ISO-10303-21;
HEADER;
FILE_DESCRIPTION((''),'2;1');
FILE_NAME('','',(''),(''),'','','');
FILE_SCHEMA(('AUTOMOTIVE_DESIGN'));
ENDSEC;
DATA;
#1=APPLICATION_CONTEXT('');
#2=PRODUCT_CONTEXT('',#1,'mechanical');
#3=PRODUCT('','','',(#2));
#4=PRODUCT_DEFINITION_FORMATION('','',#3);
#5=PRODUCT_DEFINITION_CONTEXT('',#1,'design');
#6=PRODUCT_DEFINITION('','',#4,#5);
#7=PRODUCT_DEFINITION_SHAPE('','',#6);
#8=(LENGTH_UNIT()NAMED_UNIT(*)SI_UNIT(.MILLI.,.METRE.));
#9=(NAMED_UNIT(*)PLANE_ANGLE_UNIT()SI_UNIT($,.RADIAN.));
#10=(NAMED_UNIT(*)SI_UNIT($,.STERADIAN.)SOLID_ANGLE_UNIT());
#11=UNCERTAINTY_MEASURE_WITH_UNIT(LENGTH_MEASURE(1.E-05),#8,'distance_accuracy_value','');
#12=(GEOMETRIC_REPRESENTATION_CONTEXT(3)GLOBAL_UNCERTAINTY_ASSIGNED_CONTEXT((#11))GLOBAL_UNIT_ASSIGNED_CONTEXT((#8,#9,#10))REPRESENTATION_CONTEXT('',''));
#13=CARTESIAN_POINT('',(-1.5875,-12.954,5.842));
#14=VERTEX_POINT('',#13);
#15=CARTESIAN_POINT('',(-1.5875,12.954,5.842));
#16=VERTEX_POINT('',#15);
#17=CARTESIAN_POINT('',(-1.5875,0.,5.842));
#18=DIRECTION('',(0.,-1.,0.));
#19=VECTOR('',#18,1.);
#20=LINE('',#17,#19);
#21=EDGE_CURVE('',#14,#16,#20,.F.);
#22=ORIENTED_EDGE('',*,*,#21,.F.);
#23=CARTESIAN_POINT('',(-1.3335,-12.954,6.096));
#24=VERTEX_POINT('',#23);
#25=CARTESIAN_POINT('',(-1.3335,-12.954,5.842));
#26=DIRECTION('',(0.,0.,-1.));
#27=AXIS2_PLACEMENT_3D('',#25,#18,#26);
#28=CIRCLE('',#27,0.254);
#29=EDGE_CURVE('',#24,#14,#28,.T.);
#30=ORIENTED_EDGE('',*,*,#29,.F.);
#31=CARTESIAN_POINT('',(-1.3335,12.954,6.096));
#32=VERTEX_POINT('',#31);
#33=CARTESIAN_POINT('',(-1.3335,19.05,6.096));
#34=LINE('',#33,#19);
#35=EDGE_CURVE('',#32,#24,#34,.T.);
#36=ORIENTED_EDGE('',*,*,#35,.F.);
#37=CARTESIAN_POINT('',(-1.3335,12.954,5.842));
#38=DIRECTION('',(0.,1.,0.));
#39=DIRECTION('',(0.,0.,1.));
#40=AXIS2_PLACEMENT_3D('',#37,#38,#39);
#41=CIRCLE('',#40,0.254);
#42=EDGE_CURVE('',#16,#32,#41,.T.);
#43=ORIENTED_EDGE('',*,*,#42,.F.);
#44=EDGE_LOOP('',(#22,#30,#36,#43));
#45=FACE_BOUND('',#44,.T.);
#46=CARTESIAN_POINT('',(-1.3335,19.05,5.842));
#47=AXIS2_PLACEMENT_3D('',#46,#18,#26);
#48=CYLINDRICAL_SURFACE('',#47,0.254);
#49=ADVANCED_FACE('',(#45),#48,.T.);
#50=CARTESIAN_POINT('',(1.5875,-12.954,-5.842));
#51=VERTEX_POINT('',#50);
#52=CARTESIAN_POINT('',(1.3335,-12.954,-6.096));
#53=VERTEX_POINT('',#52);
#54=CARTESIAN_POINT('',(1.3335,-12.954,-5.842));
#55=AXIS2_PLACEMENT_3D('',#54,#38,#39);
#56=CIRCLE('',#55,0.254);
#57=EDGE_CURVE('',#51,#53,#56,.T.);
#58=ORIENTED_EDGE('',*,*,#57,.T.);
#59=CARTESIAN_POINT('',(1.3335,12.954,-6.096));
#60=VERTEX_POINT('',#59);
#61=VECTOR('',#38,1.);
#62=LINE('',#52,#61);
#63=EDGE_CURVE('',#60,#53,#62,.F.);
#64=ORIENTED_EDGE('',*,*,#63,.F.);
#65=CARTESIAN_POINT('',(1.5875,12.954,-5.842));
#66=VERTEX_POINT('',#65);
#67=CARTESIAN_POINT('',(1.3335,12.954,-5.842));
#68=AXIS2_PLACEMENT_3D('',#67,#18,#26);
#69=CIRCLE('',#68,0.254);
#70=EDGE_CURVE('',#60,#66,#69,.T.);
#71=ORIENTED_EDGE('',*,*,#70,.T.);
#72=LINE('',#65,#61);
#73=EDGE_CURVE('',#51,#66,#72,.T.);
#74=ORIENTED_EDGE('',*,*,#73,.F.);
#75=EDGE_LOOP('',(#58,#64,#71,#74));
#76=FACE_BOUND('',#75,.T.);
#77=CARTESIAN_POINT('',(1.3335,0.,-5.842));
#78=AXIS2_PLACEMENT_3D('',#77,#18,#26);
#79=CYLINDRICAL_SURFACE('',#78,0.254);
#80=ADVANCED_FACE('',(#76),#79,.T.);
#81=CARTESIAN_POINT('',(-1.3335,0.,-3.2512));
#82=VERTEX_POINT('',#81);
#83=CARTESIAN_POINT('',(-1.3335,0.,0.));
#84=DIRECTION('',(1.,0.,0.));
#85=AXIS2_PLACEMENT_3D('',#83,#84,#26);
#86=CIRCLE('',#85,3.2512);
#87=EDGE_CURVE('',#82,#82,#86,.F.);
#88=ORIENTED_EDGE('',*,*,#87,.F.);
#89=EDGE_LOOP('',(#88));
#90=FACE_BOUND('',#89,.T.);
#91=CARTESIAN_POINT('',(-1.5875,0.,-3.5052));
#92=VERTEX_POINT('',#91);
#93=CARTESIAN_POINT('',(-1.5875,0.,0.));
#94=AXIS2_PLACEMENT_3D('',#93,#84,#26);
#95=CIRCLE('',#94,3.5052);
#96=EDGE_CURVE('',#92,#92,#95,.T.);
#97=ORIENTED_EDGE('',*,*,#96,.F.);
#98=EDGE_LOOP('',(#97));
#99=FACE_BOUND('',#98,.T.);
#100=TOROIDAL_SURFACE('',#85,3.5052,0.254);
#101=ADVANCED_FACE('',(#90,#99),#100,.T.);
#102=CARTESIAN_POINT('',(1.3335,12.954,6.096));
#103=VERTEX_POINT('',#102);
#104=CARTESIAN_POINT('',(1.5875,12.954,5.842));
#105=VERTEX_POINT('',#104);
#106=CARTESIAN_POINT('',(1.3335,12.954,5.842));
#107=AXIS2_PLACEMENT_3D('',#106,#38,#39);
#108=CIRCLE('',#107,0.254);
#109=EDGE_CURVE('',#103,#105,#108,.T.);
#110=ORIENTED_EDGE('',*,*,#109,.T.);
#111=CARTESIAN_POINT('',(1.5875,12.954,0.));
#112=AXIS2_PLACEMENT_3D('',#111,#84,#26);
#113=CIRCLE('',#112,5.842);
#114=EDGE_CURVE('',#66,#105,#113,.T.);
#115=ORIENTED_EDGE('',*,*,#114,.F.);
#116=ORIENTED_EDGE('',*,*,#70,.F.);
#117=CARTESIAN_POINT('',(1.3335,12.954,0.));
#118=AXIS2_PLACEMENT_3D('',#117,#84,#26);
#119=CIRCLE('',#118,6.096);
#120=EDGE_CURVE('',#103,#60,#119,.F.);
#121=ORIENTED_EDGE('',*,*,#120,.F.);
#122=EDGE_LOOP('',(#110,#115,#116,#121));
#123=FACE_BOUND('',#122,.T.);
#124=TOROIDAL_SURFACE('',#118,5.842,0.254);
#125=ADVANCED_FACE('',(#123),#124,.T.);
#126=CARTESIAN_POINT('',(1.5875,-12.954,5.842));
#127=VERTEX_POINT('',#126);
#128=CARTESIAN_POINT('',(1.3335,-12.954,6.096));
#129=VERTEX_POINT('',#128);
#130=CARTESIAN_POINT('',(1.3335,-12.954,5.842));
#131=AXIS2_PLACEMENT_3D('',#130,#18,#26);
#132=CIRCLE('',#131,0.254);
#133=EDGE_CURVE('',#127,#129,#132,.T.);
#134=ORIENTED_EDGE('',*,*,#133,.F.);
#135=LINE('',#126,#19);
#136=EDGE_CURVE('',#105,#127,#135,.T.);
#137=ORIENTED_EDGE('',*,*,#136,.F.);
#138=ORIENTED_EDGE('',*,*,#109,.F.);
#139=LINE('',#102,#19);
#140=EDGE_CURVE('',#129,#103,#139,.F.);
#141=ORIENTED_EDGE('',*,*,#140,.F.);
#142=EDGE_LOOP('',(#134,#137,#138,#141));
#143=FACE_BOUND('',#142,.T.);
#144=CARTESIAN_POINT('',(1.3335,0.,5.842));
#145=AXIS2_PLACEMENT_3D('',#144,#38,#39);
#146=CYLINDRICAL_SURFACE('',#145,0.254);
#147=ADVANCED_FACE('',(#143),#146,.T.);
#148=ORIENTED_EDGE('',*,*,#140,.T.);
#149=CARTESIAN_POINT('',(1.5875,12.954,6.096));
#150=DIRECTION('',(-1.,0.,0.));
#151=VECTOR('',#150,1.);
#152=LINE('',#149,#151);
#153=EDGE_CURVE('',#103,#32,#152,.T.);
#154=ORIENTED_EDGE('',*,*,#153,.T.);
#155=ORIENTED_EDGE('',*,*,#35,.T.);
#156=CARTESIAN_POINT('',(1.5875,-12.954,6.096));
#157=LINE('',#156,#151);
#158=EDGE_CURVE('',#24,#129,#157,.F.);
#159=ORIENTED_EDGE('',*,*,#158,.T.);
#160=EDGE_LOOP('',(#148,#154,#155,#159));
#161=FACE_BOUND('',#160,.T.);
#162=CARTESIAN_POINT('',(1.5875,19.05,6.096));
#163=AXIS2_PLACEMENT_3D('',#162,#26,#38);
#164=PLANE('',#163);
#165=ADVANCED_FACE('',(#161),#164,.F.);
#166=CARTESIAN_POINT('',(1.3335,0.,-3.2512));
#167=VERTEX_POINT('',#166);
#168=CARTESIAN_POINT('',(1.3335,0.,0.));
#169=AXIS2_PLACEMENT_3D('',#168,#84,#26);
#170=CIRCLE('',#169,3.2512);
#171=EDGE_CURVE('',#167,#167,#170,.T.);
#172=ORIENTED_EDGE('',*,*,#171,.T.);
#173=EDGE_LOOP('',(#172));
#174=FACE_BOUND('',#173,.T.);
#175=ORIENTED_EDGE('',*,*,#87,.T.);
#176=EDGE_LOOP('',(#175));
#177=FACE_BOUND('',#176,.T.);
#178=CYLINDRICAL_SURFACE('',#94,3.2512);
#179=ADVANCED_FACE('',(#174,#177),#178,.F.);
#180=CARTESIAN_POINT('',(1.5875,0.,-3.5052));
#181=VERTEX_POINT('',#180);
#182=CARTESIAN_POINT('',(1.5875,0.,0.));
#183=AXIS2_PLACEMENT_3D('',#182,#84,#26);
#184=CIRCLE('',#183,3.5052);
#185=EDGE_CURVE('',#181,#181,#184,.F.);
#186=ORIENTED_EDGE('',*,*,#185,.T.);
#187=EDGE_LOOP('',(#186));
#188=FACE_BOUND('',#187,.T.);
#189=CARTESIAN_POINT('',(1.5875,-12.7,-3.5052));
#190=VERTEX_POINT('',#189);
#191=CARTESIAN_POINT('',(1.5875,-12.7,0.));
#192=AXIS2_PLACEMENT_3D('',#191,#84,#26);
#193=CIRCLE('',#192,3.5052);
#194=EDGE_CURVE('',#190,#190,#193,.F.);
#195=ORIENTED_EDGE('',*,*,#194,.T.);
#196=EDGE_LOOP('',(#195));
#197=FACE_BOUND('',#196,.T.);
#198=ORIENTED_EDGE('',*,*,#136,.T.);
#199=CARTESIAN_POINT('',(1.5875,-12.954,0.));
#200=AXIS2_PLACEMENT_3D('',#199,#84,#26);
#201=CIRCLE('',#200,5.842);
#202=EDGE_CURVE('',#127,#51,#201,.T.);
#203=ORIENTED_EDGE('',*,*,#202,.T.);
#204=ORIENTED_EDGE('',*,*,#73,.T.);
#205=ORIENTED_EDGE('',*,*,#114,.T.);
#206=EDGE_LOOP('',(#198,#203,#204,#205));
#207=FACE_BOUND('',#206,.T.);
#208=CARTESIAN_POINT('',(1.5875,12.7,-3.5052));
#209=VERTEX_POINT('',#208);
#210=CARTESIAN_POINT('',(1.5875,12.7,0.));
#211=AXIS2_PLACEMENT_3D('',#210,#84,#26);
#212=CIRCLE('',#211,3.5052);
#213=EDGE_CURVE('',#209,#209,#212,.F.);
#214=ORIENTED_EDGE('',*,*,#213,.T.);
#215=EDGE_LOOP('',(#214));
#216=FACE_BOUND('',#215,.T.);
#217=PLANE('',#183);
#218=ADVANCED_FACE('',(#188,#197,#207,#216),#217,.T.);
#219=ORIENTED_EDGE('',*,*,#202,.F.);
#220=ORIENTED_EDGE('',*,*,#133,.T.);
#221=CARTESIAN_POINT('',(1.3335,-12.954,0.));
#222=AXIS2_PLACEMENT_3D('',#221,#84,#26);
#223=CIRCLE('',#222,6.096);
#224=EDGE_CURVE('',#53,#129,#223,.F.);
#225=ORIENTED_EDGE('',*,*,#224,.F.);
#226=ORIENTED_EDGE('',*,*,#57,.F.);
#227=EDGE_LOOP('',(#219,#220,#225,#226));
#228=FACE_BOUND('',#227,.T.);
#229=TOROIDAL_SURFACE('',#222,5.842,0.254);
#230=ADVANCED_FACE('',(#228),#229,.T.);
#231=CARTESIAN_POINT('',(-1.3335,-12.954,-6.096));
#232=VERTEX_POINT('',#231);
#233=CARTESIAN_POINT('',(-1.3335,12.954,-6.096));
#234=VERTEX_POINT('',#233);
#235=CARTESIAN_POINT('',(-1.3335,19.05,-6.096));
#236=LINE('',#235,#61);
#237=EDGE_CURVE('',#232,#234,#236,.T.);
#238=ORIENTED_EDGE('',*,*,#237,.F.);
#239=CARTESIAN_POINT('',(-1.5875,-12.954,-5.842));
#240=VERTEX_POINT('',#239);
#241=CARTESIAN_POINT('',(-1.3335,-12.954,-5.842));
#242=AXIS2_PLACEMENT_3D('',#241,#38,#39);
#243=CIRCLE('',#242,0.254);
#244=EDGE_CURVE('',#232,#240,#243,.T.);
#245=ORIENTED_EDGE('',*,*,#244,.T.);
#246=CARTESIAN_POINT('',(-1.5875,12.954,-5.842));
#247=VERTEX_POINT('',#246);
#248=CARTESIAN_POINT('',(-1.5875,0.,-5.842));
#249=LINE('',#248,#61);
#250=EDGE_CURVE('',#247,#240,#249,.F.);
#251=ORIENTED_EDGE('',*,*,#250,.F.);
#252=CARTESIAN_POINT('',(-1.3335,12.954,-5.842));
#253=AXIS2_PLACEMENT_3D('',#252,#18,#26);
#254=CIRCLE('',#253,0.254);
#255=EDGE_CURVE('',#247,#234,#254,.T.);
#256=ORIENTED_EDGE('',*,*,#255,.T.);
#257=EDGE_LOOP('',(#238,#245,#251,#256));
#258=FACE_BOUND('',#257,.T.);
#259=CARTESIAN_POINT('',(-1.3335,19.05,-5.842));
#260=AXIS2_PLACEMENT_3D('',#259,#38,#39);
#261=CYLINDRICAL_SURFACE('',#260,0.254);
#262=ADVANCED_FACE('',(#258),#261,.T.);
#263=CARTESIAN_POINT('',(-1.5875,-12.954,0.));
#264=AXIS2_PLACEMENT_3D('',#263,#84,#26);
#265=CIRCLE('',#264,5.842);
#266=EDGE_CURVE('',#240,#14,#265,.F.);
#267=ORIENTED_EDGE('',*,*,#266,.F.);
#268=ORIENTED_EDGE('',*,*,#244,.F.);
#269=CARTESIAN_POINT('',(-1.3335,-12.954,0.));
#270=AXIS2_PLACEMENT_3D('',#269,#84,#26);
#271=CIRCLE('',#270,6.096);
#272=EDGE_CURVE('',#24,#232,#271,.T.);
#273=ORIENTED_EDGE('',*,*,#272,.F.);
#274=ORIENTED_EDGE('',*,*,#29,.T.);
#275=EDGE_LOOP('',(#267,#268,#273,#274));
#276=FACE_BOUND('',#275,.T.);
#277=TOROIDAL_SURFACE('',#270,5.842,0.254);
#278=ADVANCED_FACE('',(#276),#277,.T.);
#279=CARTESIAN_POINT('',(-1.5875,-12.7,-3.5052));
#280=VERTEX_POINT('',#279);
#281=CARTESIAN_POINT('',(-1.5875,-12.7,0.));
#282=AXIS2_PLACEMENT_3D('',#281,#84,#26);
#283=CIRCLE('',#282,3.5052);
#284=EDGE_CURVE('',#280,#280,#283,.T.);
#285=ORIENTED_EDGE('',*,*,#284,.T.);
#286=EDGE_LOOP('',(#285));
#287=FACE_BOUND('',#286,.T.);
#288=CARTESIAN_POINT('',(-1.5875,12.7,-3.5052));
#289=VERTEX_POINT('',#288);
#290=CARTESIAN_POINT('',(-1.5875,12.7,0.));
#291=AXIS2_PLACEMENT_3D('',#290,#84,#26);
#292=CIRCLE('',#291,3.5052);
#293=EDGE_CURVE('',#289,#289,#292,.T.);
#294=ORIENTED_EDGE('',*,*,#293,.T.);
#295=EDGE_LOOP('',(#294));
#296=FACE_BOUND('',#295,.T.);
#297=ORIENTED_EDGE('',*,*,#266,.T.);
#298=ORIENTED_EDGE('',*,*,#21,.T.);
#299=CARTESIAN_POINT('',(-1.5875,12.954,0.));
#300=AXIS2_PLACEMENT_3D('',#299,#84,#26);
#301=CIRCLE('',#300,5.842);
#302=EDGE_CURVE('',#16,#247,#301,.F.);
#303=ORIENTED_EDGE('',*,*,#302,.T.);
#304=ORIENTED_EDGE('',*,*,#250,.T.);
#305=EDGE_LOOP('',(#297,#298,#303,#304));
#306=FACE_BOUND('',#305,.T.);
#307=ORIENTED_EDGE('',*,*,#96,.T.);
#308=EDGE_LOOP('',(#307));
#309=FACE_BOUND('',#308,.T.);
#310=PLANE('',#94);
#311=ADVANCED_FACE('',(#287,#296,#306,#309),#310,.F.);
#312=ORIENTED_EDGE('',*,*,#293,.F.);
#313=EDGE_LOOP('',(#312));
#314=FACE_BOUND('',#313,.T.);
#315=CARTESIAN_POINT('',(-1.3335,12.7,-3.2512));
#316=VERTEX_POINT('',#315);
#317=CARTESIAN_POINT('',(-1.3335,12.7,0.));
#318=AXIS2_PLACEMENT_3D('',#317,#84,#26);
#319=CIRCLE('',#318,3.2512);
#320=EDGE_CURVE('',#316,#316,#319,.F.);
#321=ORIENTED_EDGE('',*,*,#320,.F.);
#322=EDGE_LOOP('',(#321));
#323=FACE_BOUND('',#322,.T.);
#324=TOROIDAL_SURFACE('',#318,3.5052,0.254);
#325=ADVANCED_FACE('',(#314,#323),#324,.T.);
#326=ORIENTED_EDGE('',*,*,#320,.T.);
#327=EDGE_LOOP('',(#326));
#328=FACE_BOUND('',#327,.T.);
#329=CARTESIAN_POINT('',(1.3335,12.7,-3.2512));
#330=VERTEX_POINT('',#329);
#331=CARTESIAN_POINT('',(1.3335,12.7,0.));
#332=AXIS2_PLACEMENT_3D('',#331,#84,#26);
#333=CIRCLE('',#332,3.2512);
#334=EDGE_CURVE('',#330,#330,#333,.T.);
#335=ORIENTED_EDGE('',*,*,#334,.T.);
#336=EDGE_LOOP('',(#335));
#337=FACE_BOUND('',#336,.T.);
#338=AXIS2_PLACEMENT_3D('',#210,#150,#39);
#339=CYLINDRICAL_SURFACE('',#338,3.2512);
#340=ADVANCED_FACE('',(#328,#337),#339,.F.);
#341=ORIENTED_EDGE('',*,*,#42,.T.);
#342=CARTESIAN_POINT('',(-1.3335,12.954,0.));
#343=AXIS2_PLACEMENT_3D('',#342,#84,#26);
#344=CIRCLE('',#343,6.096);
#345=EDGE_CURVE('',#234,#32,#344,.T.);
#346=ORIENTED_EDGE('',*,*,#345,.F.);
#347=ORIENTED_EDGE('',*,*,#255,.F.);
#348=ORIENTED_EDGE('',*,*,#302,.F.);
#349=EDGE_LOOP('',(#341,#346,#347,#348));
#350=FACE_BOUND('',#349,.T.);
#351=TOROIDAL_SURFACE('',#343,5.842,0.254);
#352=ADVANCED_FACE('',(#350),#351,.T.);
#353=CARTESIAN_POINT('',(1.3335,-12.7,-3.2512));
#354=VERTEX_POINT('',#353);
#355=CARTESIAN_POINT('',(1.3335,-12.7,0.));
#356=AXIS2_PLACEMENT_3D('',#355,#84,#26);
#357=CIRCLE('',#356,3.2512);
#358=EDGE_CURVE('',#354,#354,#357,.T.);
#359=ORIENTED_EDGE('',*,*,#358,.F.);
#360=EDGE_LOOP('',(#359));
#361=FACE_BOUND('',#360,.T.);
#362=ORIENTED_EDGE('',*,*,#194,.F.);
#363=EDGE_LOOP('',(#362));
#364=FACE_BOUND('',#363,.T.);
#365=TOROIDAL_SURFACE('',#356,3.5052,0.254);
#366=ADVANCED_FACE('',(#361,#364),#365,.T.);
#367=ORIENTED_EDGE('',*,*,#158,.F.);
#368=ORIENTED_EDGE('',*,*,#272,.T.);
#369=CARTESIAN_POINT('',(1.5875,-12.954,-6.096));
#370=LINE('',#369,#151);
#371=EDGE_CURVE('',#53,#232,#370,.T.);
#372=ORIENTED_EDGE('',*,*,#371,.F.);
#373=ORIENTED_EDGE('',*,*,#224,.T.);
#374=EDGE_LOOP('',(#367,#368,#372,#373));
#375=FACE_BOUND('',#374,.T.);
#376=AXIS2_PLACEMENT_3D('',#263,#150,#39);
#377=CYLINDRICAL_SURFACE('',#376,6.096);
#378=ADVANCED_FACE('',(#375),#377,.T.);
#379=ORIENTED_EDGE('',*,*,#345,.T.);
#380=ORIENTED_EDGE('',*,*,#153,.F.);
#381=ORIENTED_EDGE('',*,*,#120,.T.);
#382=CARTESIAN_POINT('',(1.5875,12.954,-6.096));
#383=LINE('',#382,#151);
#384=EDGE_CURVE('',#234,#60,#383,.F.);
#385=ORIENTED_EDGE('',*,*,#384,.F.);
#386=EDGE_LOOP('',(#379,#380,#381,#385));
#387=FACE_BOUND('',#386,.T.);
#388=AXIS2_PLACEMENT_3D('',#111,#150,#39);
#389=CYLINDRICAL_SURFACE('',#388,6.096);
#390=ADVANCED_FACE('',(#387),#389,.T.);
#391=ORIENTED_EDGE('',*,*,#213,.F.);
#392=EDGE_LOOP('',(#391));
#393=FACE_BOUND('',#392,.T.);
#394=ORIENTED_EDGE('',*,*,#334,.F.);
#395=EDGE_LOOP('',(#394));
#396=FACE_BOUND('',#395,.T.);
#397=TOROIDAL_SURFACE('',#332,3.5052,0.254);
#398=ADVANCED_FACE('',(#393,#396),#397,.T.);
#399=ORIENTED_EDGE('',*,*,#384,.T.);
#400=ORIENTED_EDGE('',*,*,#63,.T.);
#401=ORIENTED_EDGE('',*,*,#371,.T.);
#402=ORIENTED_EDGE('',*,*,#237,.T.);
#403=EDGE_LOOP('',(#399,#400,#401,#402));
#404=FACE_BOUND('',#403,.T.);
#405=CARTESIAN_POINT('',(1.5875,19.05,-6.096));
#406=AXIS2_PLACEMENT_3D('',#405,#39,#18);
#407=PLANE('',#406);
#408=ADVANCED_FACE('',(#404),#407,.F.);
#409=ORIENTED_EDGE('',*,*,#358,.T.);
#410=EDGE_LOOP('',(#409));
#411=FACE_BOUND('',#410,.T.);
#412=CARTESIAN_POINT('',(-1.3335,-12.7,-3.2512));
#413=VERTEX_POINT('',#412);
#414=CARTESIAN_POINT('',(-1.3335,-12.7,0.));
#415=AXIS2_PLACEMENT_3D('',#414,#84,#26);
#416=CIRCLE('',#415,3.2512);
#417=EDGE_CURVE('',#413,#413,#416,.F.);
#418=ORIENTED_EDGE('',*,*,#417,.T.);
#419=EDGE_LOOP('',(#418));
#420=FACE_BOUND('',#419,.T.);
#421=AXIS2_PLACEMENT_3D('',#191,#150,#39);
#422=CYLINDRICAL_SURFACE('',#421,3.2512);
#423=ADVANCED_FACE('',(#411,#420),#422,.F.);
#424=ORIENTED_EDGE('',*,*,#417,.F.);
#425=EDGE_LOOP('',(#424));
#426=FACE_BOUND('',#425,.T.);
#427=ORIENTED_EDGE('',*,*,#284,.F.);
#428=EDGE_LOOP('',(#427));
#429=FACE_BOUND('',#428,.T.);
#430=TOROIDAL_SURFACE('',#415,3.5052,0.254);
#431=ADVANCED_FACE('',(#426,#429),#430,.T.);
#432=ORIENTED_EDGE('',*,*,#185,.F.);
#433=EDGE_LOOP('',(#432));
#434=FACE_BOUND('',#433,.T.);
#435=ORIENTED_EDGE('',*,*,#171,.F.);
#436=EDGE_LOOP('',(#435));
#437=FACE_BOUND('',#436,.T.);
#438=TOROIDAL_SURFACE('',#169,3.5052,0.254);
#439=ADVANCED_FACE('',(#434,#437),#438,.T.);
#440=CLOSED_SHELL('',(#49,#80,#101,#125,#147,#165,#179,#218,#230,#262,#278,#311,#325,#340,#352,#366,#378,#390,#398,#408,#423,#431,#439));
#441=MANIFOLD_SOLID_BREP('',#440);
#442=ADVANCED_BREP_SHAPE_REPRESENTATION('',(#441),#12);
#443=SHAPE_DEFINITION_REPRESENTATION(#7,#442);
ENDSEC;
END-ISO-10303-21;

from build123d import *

# Parameters (mm, degrees)
SKETCH1_W           = 12.192
SKETCH1_H           = 38.1
SKETCH1_R           = 3.2512
BOSS_EXTRUDE1_DEPTH = 1.5875
FILLET1_RADIUS      = 6.096
FILLET1_LENGTH      = 3.175
FILLET2_RADIUS      = 6.096
FILLET2_LENGTH      = 3.175
SKETCH2_R           = 3.2512
CUT_EXTRUDE1_DEPTH  = 21.252020665
FILLET3_R           = 0.254


with BuildPart() as part:
    # Sketch1 → Boss-Extrude1 (new, symmetric)
    with BuildSketch(Plane(origin=(0, 0, 0), x_dir=(0, 0, -1), z_dir=(1, 0, 0))):
        Rectangle(SKETCH1_W, SKETCH1_H)
        with Locations((0, 12.7)):
            Circle(SKETCH1_R, mode=Mode.SUBTRACT)
        with Locations((0, -12.7)):
            Circle(SKETCH1_R, mode=Mode.SUBTRACT)
    extrude(amount=BOSS_EXTRUDE1_DEPTH, both=True)

    # Fillet1: full round fillet: the end face becomes a half cylinder, R = half its width
    fillet1_face = Plane((0, 19.05, 0), x_dir=(1, 0, 0), z_dir=(0, 1, 0))  # on the end face: x along it, z out of the body
    fillet1_slab = fillet1_face.offset(-FILLET1_RADIUS / 2) * Box(FILLET1_LENGTH, 2 * FILLET1_RADIUS, FILLET1_RADIUS, mode=Mode.PRIVATE)  # the body's end, R deep
    fillet1_round = Plane((0, 12.954, 0), x_dir=(0, 1, 0), z_dir=(1, 0, 0)) * Cylinder(FILLET1_RADIUS, FILLET1_LENGTH, mode=Mode.PRIVATE)  # its axis R under the face
    add(fillet1_slab - fillet1_round, mode=Mode.SUBTRACT)

    # Fillet2: full round fillet: the end face becomes a half cylinder, R = half its width
    fillet2_face = Plane((0, -19.05, 0), x_dir=(1, 0, 0), z_dir=(0, -1, 0))  # on the end face: x along it, z out of the body
    fillet2_slab = fillet2_face.offset(-FILLET2_RADIUS / 2) * Box(FILLET2_LENGTH, 2 * FILLET2_RADIUS, FILLET2_RADIUS, mode=Mode.PRIVATE)  # the body's end, R deep
    fillet2_round = Plane((0, -12.954, 0), x_dir=(0, -1, 0), z_dir=(1, 0, 0)) * Cylinder(FILLET2_RADIUS, FILLET2_LENGTH, mode=Mode.PRIVATE)  # its axis R under the face
    add(fillet2_slab - fillet2_round, mode=Mode.SUBTRACT)

    # Sketch2 → Cut-Extrude1 (cut, through all)
    with BuildSketch(Plane(origin=(1.5875, 0, 0), x_dir=(0, 0, -1), z_dir=(1, 0, 0))):
        Circle(SKETCH2_R)
    extrude(amount=-CUT_EXTRUDE1_DEPTH, mode=Mode.SUBTRACT)

    # Fillet3
    fillet3_edges = [part.edges().sort_by_distance(p)[0] for p in [
        (-1.5875, 12.7, 3.2512),
        (1.5875, 12.7, 3.2512),
        (-1.5875, -12.7, 3.2512),
        (1.5875, -12.7, 3.2512),
        (-1.5875, 0, 6.096),
        (1.5875, 0, 6.096),
        (1.5875, 19.05, 0),
        (-1.5875, 19.05, 0),
        (-1.5875, 0, -6.096),
        (1.5875, 0, -6.096),
        (-1.5875, -19.05, 0),
        (1.5875, -19.05, 0),
        (-1.5875, 0, 3.2512),
        (1.5875, 0, 3.2512),
    ]]
    fillet(fillet3_edges, radius=FILLET3_R)


solid = part.part
